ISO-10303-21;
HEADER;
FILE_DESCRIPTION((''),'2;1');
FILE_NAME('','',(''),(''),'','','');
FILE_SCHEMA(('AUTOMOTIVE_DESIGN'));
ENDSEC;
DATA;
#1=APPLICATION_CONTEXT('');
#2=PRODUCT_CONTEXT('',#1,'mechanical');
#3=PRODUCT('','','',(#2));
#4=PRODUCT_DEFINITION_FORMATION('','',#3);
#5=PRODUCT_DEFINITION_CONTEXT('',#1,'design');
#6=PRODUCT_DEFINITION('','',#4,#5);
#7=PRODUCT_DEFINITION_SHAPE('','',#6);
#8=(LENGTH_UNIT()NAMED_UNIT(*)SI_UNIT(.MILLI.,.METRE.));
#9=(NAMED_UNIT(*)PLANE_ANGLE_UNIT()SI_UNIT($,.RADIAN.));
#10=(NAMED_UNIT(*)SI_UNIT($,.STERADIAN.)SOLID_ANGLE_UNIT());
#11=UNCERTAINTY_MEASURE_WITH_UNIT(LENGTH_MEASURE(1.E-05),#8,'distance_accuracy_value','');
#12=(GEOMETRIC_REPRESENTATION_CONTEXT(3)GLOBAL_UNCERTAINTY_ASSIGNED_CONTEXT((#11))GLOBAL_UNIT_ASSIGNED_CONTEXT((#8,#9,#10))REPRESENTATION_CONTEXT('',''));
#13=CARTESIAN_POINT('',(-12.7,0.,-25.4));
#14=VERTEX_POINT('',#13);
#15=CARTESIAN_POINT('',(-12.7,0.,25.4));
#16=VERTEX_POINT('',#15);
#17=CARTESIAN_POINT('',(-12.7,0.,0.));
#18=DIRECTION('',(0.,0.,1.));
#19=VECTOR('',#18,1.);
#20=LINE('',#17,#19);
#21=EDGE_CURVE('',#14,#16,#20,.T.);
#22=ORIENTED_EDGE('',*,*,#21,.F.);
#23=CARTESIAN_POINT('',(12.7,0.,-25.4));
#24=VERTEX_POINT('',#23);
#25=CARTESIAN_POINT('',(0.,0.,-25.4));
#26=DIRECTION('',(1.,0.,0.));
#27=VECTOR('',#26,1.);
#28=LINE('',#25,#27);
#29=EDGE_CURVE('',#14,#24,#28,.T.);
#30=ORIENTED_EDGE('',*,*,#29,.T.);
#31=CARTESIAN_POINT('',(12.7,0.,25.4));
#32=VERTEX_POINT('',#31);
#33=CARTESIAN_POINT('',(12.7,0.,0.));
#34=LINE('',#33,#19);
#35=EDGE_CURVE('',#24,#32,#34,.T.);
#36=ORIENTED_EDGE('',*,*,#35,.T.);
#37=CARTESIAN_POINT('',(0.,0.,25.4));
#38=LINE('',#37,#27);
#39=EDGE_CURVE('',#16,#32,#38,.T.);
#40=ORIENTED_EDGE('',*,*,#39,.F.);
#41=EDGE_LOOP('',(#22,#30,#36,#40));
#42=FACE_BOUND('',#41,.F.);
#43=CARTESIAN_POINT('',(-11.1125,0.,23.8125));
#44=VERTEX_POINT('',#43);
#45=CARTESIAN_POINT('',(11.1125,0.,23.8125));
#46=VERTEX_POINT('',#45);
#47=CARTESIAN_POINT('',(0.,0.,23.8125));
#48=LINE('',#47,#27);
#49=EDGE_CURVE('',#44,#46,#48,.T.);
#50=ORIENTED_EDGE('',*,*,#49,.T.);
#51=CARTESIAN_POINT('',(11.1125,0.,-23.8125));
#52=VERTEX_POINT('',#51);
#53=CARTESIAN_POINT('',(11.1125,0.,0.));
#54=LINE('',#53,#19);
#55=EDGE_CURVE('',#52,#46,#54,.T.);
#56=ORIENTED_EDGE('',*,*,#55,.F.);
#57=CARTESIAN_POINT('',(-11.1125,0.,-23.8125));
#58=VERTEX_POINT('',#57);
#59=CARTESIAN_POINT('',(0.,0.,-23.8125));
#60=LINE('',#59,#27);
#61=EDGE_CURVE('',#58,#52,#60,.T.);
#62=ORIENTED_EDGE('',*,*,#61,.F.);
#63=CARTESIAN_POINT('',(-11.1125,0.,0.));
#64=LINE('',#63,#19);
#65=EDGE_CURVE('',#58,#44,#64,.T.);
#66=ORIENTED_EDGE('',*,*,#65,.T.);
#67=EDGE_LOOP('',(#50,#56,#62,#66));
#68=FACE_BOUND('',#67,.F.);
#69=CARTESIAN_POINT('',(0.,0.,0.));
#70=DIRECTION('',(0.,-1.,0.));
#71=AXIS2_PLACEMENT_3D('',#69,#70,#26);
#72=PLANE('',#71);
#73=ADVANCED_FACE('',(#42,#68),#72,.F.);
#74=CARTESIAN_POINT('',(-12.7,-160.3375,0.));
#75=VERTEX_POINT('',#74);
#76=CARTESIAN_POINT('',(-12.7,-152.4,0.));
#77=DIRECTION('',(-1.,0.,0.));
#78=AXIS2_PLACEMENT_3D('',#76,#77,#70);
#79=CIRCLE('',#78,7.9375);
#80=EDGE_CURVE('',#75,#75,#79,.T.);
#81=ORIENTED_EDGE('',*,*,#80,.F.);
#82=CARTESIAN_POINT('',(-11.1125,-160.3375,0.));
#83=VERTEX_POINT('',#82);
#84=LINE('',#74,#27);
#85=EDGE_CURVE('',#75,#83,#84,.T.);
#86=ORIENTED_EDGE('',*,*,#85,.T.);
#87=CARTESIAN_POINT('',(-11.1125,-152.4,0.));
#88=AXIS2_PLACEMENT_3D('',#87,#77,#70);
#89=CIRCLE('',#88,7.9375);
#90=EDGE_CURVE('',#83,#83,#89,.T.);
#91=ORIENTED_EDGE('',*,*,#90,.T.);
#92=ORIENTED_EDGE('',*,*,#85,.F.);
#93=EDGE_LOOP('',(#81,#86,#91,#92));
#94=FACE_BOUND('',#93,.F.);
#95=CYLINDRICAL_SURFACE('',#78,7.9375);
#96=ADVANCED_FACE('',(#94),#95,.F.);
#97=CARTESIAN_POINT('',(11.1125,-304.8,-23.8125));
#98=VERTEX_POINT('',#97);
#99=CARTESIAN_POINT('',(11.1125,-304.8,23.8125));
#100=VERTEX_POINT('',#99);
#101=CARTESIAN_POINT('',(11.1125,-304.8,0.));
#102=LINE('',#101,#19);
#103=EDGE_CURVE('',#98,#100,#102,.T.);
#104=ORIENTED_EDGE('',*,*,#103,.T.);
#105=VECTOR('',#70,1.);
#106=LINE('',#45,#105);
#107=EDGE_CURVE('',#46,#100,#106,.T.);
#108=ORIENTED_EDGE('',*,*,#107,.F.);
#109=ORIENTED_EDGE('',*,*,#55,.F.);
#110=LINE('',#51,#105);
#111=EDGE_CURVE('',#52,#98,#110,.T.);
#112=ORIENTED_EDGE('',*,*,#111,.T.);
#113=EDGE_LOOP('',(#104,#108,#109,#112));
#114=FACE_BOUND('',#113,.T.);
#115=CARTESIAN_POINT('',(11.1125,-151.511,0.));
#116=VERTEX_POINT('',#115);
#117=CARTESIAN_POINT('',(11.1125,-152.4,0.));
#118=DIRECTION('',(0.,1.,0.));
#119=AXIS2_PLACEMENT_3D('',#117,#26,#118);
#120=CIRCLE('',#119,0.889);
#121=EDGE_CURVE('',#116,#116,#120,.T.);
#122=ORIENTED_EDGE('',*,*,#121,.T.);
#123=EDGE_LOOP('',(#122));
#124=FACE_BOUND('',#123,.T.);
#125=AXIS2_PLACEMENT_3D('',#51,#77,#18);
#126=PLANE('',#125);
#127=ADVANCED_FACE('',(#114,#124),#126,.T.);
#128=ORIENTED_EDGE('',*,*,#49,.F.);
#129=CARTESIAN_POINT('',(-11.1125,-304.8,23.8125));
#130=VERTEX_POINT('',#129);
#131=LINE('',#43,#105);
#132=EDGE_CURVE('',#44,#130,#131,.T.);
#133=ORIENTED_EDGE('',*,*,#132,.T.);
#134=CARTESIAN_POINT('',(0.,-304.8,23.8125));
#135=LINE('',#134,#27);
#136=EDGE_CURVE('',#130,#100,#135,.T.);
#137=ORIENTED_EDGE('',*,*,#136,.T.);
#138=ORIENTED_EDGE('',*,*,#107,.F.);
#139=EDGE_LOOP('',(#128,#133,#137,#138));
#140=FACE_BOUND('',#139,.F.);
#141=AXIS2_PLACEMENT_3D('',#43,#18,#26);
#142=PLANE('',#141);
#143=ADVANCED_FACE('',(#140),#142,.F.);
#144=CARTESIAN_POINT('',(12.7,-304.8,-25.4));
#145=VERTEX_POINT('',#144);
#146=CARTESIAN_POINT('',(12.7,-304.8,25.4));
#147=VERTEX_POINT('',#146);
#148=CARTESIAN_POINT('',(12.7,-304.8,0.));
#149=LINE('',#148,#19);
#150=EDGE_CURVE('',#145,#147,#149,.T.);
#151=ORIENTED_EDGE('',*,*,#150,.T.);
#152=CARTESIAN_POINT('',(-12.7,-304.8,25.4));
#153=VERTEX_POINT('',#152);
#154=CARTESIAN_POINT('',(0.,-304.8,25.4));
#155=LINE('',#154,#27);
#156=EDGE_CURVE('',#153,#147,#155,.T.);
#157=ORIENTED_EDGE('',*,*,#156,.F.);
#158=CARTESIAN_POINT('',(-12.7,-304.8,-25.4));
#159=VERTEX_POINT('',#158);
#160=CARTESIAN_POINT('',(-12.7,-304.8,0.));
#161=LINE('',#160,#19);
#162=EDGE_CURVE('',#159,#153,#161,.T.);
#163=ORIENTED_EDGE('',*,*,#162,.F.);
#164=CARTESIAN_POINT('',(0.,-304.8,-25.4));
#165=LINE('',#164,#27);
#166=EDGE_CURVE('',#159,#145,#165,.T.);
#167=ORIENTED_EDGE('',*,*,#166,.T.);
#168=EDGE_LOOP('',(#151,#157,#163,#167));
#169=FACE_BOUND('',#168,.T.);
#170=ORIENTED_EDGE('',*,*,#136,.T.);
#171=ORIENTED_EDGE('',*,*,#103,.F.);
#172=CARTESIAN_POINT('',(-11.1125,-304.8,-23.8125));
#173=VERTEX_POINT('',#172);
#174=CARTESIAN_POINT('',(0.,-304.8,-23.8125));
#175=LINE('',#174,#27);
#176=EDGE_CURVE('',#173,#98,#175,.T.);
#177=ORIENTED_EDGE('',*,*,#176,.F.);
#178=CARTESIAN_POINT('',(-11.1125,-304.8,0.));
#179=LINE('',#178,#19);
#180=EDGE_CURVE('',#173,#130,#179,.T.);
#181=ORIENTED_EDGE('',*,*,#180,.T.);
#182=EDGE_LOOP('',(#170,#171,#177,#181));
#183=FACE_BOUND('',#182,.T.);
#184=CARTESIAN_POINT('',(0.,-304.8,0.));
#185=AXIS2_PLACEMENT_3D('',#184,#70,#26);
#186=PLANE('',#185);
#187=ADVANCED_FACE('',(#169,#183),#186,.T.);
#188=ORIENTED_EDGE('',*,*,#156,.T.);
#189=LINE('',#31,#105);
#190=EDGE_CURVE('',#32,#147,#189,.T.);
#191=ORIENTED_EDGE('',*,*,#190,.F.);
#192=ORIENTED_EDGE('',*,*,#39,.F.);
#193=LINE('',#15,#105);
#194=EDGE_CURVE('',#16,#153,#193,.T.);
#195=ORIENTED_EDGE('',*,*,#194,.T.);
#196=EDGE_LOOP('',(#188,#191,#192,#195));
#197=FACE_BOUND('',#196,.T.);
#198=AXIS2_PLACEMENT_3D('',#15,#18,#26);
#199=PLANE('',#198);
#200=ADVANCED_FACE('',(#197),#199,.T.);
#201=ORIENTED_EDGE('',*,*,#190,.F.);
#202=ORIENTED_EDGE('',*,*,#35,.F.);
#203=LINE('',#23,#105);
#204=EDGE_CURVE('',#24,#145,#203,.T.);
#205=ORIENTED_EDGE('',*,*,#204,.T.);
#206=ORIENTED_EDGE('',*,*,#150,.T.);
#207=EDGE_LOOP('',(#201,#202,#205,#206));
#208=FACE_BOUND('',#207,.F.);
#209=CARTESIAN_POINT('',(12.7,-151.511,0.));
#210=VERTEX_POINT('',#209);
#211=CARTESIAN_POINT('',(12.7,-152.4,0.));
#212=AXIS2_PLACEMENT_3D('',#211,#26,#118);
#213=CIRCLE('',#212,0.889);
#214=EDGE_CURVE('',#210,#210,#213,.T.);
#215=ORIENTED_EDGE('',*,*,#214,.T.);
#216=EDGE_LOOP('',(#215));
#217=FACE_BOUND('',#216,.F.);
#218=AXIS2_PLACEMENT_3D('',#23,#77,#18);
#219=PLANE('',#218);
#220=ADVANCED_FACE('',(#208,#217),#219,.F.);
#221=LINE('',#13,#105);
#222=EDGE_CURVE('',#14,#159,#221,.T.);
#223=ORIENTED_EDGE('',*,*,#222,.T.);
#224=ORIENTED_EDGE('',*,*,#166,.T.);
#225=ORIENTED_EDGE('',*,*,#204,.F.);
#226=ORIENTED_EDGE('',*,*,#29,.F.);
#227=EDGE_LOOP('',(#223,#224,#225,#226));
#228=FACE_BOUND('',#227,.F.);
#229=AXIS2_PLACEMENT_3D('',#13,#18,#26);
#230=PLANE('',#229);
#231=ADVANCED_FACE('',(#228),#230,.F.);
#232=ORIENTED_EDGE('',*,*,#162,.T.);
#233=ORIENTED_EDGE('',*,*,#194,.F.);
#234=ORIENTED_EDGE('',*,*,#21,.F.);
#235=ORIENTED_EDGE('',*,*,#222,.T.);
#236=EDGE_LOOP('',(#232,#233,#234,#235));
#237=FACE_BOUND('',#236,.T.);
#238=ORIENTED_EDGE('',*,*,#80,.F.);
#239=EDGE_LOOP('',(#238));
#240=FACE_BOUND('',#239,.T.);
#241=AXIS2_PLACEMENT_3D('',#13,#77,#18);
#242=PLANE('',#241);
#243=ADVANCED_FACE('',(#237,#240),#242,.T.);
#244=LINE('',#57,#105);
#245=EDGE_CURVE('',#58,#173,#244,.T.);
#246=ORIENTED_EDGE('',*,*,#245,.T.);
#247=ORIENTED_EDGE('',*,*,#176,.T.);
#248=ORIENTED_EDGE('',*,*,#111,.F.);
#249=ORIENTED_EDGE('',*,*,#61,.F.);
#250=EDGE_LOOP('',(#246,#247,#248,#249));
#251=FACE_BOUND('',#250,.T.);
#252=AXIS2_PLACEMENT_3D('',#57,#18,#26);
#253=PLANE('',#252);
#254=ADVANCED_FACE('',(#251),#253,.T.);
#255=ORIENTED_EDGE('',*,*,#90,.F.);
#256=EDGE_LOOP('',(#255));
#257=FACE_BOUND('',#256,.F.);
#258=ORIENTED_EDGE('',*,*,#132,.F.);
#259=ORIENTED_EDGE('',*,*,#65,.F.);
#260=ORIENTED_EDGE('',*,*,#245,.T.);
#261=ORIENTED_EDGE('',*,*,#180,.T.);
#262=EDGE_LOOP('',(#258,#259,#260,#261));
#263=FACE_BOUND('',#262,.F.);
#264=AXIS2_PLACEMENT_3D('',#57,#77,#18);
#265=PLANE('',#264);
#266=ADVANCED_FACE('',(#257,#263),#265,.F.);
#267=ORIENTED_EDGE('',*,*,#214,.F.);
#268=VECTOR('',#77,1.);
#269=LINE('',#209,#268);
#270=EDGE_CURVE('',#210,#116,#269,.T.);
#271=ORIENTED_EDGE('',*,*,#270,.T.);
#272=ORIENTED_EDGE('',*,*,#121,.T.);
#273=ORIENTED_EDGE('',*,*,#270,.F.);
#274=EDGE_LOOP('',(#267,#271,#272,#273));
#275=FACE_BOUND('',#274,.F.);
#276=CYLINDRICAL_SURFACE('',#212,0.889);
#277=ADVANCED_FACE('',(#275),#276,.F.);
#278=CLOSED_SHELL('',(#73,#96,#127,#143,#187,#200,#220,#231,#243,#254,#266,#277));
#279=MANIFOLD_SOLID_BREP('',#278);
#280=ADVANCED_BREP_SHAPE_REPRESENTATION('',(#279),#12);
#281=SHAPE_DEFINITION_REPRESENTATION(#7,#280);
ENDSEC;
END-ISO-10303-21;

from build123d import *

# Parameters (mm, degrees)
F0_W     = 25.4
F0_H     = 50.8
F0_W_2   = 22.225
F0_H_2   = 47.625
F1_DEPTH = 304.8
F2_R     = 7.9375
F3_DEPTH = 1.5875
F4_R     = 0.889
F5_DEPTH = 1.5875


with BuildPart() as f1:
    # F0 (on Front) → F1 (new body)
    with BuildSketch(Plane.XZ):
        Rectangle(F0_W, F0_H)
        Rectangle(F0_W_2, F0_H_2, mode=Mode.SUBTRACT)
    extrude(amount=F1_DEPTH)

    # F2 (on face) → F3 (cut)
    with BuildSketch(Plane(origin=(-12.7, 0, 0), x_dir=(0, -1, 0), z_dir=(-1, 0, 0))):
        with Locations((152.4, 0)):
            Circle(F2_R)
    extrude(amount=-F3_DEPTH, mode=Mode.SUBTRACT)

    # F4 (on face) → F5 (cut)
    with BuildSketch(Plane.YZ.offset(12.7)):
        with Locations((-152.4, 0)):
            Circle(F4_R)
    extrude(amount=-F5_DEPTH, mode=Mode.SUBTRACT)


solid = f1.part
